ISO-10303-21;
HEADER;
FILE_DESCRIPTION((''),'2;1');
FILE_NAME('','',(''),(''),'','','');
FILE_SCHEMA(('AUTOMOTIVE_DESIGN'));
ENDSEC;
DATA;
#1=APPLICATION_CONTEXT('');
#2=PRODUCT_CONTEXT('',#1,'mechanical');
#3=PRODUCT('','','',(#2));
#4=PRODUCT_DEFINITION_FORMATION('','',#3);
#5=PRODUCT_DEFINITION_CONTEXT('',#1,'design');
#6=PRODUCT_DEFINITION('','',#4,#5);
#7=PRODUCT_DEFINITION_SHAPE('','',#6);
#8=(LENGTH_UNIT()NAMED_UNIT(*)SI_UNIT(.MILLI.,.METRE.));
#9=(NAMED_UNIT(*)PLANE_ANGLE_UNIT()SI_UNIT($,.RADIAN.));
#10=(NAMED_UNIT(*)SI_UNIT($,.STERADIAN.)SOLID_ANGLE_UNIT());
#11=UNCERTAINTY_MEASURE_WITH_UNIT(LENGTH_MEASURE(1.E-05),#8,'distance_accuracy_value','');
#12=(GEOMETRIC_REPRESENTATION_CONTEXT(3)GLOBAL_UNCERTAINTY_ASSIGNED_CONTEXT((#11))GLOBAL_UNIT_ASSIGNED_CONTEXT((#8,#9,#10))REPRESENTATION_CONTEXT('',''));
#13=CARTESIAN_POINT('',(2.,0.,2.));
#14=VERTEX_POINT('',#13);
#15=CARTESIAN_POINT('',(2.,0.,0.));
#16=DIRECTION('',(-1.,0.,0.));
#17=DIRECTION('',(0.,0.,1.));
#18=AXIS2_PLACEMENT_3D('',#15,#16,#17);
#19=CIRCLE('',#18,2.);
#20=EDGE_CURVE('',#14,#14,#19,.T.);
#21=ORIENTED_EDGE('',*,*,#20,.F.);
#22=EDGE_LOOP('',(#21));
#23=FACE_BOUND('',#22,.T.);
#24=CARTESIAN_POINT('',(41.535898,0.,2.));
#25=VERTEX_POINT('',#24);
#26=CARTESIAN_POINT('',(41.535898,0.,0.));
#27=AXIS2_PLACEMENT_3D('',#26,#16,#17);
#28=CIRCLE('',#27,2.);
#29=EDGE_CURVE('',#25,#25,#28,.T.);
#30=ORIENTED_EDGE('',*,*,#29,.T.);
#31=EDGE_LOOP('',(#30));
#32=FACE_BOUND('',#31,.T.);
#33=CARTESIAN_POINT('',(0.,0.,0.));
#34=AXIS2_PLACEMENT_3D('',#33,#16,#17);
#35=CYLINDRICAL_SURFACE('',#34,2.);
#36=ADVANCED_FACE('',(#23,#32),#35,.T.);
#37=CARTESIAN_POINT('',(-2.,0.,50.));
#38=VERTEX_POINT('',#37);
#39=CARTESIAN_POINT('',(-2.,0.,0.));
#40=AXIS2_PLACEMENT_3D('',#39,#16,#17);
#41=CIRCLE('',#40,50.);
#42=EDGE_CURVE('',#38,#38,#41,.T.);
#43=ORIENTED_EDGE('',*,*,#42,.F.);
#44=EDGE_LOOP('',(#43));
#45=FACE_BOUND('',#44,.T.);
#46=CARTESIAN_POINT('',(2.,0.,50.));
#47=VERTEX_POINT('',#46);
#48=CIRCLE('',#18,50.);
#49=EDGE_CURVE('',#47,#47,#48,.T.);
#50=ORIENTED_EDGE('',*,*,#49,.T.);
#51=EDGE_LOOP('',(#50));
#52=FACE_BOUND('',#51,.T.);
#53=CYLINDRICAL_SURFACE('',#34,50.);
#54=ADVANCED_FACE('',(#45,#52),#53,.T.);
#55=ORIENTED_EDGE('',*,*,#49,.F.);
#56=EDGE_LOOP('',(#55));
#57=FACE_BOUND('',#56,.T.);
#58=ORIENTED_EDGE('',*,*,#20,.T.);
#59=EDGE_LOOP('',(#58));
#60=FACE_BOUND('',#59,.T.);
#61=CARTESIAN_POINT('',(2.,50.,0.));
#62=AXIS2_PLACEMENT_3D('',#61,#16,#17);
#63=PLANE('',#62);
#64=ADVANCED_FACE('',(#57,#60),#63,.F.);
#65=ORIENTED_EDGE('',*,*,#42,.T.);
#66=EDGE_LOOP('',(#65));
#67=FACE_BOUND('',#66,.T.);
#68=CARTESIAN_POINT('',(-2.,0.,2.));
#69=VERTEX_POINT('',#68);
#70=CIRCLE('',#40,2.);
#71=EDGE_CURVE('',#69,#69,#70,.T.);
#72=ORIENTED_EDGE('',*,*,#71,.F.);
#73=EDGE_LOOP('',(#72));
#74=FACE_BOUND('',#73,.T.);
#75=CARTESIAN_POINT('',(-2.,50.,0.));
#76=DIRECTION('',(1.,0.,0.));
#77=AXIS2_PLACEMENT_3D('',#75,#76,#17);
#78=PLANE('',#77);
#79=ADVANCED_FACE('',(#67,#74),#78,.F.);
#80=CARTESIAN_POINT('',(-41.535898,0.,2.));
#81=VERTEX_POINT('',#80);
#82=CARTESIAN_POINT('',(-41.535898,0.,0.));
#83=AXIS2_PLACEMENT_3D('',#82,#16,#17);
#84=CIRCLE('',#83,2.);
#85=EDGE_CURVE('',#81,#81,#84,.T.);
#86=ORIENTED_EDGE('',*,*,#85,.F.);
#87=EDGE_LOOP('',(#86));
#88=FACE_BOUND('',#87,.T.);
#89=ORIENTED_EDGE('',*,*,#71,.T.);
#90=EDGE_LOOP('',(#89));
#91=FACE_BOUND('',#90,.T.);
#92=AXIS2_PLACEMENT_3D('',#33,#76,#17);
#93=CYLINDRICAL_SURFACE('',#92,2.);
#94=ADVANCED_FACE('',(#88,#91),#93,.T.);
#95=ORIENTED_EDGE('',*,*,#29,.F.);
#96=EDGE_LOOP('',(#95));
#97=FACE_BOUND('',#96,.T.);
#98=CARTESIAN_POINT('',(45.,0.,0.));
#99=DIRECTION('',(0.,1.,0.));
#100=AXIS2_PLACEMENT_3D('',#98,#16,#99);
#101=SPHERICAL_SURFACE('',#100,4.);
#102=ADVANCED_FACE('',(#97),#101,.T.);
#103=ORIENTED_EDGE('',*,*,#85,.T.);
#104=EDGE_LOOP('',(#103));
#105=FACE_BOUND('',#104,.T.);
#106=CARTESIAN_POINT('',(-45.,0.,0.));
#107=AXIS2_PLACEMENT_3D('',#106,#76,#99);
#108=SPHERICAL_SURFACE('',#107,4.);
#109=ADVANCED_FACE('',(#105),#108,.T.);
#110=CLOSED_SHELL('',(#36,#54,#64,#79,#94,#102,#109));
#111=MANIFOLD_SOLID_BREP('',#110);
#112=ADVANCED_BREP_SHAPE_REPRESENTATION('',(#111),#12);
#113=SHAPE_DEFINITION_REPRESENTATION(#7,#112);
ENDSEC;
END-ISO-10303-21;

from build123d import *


with BuildPart() as part:
    # Esquisse1 → Révolution1 (revolve)
    with BuildSketch(Plane.XY):
        with BuildLine():
            Line((0, 0), (0, 50))
            Line((0, 50), (2, 50))
            Line((2, 50), (2, 2))
            Line((2, 2), (41.535898385, 2))
            ThreePointArc((41.535898385, 2), (46.03527618, 3.863703305), (49, 0))
            Line((49, 0), (0, 0))
        make_face()
    r_volution1 = revolve(axis=Axis((0, 0, 0), (1, 0, 0)))

    # Symétrie1: Révolution1 across plane
    add(r_volution1.mirror(Plane(origin=(0, 0, 0), x_dir=(0, 0, 1), z_dir=(1, 0, 0))))


solid = part.part
